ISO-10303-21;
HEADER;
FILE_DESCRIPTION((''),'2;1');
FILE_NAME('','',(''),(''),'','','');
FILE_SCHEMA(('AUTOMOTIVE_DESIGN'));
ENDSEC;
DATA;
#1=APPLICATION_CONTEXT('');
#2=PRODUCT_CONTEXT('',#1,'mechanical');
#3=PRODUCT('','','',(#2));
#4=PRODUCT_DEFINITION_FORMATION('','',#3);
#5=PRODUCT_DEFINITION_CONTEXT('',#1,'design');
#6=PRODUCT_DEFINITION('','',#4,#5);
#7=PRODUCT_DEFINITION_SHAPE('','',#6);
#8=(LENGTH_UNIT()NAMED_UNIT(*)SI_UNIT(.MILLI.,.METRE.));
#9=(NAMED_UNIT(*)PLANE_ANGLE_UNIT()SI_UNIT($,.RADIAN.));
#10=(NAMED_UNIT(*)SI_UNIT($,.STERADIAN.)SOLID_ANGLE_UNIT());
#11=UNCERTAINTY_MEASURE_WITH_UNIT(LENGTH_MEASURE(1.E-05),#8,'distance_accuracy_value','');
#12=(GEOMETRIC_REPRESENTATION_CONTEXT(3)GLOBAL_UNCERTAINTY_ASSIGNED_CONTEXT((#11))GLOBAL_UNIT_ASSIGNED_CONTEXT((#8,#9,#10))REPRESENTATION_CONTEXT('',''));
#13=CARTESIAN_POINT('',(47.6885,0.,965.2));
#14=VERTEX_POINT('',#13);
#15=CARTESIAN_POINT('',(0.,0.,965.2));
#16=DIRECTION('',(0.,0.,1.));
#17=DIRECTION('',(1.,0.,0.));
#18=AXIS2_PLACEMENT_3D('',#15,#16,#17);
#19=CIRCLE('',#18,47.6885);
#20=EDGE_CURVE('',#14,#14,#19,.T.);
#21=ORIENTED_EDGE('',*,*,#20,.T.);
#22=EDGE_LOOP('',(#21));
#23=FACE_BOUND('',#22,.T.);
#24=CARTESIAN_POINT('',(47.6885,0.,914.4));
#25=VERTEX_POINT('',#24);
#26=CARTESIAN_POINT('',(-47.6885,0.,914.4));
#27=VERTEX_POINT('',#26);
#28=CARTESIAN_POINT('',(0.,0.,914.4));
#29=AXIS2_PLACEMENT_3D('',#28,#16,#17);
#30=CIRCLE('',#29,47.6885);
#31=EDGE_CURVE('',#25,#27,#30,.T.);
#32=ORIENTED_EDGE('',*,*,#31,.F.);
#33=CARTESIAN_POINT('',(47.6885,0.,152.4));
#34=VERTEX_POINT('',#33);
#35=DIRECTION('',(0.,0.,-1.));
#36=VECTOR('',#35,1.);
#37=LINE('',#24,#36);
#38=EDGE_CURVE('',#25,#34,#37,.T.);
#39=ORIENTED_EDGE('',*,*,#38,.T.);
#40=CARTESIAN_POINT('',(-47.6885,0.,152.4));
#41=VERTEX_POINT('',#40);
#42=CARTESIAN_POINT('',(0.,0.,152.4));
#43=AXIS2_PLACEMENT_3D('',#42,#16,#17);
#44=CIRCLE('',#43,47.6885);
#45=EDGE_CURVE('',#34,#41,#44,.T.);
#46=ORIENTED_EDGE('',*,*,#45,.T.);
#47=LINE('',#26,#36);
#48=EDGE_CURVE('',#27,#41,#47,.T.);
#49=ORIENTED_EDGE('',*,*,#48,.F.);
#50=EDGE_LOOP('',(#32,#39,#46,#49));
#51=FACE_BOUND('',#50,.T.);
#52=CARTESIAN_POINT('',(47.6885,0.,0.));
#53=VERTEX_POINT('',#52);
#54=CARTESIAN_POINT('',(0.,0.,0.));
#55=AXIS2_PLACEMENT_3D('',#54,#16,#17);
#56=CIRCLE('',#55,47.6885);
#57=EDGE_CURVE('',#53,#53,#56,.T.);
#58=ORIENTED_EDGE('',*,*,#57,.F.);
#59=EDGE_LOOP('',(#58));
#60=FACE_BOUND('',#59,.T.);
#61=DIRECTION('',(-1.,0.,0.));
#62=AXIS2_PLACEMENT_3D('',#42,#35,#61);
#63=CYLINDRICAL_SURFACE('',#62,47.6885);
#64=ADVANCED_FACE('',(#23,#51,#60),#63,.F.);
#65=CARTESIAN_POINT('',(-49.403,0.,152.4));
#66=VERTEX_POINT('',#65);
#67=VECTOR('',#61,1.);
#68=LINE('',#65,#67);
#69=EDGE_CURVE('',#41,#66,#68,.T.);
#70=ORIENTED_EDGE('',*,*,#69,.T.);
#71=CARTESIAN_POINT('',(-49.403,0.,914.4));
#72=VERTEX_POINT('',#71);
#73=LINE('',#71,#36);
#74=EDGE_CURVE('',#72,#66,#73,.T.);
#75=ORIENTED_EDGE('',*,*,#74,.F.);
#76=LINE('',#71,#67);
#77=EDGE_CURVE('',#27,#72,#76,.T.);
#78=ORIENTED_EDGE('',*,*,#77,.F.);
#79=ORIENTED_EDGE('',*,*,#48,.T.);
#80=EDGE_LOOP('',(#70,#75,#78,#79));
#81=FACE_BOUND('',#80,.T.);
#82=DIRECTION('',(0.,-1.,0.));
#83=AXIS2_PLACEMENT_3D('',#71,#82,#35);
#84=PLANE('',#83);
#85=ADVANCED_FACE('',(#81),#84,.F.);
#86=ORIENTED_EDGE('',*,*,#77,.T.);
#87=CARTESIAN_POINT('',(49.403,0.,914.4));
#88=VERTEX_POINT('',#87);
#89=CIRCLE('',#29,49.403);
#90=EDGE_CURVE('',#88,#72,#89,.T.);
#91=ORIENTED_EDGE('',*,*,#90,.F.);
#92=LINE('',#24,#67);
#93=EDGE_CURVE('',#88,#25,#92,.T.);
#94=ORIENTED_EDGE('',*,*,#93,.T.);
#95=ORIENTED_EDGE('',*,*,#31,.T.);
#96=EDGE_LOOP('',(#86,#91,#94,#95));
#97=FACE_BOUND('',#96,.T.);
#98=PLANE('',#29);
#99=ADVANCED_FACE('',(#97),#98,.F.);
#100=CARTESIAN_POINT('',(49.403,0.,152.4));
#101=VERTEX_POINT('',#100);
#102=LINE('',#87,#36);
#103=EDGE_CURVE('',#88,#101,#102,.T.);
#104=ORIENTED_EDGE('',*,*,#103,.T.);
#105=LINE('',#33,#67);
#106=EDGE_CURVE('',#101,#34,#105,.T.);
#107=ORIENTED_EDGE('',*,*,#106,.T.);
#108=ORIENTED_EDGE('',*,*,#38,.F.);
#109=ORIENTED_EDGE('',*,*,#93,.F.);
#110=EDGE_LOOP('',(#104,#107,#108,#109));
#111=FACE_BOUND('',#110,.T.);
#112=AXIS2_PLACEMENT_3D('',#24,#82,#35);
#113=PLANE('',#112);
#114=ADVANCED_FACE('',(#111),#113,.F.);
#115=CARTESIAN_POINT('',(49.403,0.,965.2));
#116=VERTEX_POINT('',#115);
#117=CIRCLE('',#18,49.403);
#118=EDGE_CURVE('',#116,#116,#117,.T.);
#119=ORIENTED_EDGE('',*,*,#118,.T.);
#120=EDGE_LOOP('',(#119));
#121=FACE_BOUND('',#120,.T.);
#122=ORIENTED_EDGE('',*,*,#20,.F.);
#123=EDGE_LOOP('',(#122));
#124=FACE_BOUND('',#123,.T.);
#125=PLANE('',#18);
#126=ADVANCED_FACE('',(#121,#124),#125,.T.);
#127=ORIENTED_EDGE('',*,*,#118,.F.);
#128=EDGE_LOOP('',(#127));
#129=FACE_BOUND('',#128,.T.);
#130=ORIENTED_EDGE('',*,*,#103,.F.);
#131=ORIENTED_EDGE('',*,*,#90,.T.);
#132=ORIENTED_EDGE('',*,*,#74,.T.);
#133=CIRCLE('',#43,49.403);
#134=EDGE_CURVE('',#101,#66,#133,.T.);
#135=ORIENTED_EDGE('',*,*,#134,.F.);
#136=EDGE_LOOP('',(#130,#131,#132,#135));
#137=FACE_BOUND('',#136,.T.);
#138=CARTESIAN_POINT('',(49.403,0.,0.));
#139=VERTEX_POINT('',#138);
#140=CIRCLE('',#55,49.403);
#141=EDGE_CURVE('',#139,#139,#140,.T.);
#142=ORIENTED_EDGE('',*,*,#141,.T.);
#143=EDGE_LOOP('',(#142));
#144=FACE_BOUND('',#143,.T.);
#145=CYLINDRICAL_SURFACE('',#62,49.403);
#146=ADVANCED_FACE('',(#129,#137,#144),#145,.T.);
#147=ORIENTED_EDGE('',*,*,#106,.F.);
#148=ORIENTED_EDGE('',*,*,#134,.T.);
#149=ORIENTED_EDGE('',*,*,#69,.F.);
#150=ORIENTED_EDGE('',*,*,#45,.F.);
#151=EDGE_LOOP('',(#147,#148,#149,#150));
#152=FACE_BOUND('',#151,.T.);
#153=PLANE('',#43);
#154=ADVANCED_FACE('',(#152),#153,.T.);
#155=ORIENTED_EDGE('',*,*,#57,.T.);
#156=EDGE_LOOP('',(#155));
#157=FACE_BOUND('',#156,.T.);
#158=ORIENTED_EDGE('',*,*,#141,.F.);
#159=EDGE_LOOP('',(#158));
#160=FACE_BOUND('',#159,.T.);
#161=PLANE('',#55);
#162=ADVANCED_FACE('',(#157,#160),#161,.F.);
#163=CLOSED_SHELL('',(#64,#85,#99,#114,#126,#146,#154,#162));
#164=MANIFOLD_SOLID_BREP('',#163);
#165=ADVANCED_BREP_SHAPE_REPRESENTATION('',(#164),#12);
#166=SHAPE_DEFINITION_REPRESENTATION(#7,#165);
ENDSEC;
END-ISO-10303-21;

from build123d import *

# Parameters (mm, degrees)
SKETCH1_R           = 49.403
SKETCH1_R_2         = 47.6885
BOSS_EXTRUDE1_DEPTH = 152.4
BOSS_EXTRUDE2_DEPTH = 762
SKETCH3_R           = 49.403
SKETCH3_R_2         = 47.6885
BOSS_EXTRUDE3_DEPTH = 50.8


with BuildPart() as part:
    # Sketch1 → Boss-Extrude1 (new body)
    with BuildSketch(Plane.XY):
        with Locations(Location((0, 0, 0), (0, 0, 180))):
            Circle(SKETCH1_R)
        with Locations(Location((0, 0, 0), (0, 0, 180))):
            Circle(SKETCH1_R_2, mode=Mode.SUBTRACT)
    extrude(amount=BOSS_EXTRUDE1_DEPTH)

    # Sketch2 → Boss-Extrude2 (add)
    with BuildSketch(Plane.XY.offset(152.4)):
        with BuildLine():
            Line((-49.403, 0), (-47.6885, 0))
            ThreePointArc((-47.6885, 0), (0, -47.6885), (47.6885, 0))
            Line((47.6885, 0), (49.403, 0))
            ThreePointArc((49.403, 0), (0, -49.403), (-49.403, 0))
        make_face()
    extrude(amount=BOSS_EXTRUDE2_DEPTH)

    # Sketch3 → Boss-Extrude3 (add)
    with BuildSketch(Plane.XY.offset(914.4)):
        Circle(SKETCH3_R)
        Circle(SKETCH3_R_2, mode=Mode.SUBTRACT)
    extrude(amount=BOSS_EXTRUDE3_DEPTH)


solid = part.part
